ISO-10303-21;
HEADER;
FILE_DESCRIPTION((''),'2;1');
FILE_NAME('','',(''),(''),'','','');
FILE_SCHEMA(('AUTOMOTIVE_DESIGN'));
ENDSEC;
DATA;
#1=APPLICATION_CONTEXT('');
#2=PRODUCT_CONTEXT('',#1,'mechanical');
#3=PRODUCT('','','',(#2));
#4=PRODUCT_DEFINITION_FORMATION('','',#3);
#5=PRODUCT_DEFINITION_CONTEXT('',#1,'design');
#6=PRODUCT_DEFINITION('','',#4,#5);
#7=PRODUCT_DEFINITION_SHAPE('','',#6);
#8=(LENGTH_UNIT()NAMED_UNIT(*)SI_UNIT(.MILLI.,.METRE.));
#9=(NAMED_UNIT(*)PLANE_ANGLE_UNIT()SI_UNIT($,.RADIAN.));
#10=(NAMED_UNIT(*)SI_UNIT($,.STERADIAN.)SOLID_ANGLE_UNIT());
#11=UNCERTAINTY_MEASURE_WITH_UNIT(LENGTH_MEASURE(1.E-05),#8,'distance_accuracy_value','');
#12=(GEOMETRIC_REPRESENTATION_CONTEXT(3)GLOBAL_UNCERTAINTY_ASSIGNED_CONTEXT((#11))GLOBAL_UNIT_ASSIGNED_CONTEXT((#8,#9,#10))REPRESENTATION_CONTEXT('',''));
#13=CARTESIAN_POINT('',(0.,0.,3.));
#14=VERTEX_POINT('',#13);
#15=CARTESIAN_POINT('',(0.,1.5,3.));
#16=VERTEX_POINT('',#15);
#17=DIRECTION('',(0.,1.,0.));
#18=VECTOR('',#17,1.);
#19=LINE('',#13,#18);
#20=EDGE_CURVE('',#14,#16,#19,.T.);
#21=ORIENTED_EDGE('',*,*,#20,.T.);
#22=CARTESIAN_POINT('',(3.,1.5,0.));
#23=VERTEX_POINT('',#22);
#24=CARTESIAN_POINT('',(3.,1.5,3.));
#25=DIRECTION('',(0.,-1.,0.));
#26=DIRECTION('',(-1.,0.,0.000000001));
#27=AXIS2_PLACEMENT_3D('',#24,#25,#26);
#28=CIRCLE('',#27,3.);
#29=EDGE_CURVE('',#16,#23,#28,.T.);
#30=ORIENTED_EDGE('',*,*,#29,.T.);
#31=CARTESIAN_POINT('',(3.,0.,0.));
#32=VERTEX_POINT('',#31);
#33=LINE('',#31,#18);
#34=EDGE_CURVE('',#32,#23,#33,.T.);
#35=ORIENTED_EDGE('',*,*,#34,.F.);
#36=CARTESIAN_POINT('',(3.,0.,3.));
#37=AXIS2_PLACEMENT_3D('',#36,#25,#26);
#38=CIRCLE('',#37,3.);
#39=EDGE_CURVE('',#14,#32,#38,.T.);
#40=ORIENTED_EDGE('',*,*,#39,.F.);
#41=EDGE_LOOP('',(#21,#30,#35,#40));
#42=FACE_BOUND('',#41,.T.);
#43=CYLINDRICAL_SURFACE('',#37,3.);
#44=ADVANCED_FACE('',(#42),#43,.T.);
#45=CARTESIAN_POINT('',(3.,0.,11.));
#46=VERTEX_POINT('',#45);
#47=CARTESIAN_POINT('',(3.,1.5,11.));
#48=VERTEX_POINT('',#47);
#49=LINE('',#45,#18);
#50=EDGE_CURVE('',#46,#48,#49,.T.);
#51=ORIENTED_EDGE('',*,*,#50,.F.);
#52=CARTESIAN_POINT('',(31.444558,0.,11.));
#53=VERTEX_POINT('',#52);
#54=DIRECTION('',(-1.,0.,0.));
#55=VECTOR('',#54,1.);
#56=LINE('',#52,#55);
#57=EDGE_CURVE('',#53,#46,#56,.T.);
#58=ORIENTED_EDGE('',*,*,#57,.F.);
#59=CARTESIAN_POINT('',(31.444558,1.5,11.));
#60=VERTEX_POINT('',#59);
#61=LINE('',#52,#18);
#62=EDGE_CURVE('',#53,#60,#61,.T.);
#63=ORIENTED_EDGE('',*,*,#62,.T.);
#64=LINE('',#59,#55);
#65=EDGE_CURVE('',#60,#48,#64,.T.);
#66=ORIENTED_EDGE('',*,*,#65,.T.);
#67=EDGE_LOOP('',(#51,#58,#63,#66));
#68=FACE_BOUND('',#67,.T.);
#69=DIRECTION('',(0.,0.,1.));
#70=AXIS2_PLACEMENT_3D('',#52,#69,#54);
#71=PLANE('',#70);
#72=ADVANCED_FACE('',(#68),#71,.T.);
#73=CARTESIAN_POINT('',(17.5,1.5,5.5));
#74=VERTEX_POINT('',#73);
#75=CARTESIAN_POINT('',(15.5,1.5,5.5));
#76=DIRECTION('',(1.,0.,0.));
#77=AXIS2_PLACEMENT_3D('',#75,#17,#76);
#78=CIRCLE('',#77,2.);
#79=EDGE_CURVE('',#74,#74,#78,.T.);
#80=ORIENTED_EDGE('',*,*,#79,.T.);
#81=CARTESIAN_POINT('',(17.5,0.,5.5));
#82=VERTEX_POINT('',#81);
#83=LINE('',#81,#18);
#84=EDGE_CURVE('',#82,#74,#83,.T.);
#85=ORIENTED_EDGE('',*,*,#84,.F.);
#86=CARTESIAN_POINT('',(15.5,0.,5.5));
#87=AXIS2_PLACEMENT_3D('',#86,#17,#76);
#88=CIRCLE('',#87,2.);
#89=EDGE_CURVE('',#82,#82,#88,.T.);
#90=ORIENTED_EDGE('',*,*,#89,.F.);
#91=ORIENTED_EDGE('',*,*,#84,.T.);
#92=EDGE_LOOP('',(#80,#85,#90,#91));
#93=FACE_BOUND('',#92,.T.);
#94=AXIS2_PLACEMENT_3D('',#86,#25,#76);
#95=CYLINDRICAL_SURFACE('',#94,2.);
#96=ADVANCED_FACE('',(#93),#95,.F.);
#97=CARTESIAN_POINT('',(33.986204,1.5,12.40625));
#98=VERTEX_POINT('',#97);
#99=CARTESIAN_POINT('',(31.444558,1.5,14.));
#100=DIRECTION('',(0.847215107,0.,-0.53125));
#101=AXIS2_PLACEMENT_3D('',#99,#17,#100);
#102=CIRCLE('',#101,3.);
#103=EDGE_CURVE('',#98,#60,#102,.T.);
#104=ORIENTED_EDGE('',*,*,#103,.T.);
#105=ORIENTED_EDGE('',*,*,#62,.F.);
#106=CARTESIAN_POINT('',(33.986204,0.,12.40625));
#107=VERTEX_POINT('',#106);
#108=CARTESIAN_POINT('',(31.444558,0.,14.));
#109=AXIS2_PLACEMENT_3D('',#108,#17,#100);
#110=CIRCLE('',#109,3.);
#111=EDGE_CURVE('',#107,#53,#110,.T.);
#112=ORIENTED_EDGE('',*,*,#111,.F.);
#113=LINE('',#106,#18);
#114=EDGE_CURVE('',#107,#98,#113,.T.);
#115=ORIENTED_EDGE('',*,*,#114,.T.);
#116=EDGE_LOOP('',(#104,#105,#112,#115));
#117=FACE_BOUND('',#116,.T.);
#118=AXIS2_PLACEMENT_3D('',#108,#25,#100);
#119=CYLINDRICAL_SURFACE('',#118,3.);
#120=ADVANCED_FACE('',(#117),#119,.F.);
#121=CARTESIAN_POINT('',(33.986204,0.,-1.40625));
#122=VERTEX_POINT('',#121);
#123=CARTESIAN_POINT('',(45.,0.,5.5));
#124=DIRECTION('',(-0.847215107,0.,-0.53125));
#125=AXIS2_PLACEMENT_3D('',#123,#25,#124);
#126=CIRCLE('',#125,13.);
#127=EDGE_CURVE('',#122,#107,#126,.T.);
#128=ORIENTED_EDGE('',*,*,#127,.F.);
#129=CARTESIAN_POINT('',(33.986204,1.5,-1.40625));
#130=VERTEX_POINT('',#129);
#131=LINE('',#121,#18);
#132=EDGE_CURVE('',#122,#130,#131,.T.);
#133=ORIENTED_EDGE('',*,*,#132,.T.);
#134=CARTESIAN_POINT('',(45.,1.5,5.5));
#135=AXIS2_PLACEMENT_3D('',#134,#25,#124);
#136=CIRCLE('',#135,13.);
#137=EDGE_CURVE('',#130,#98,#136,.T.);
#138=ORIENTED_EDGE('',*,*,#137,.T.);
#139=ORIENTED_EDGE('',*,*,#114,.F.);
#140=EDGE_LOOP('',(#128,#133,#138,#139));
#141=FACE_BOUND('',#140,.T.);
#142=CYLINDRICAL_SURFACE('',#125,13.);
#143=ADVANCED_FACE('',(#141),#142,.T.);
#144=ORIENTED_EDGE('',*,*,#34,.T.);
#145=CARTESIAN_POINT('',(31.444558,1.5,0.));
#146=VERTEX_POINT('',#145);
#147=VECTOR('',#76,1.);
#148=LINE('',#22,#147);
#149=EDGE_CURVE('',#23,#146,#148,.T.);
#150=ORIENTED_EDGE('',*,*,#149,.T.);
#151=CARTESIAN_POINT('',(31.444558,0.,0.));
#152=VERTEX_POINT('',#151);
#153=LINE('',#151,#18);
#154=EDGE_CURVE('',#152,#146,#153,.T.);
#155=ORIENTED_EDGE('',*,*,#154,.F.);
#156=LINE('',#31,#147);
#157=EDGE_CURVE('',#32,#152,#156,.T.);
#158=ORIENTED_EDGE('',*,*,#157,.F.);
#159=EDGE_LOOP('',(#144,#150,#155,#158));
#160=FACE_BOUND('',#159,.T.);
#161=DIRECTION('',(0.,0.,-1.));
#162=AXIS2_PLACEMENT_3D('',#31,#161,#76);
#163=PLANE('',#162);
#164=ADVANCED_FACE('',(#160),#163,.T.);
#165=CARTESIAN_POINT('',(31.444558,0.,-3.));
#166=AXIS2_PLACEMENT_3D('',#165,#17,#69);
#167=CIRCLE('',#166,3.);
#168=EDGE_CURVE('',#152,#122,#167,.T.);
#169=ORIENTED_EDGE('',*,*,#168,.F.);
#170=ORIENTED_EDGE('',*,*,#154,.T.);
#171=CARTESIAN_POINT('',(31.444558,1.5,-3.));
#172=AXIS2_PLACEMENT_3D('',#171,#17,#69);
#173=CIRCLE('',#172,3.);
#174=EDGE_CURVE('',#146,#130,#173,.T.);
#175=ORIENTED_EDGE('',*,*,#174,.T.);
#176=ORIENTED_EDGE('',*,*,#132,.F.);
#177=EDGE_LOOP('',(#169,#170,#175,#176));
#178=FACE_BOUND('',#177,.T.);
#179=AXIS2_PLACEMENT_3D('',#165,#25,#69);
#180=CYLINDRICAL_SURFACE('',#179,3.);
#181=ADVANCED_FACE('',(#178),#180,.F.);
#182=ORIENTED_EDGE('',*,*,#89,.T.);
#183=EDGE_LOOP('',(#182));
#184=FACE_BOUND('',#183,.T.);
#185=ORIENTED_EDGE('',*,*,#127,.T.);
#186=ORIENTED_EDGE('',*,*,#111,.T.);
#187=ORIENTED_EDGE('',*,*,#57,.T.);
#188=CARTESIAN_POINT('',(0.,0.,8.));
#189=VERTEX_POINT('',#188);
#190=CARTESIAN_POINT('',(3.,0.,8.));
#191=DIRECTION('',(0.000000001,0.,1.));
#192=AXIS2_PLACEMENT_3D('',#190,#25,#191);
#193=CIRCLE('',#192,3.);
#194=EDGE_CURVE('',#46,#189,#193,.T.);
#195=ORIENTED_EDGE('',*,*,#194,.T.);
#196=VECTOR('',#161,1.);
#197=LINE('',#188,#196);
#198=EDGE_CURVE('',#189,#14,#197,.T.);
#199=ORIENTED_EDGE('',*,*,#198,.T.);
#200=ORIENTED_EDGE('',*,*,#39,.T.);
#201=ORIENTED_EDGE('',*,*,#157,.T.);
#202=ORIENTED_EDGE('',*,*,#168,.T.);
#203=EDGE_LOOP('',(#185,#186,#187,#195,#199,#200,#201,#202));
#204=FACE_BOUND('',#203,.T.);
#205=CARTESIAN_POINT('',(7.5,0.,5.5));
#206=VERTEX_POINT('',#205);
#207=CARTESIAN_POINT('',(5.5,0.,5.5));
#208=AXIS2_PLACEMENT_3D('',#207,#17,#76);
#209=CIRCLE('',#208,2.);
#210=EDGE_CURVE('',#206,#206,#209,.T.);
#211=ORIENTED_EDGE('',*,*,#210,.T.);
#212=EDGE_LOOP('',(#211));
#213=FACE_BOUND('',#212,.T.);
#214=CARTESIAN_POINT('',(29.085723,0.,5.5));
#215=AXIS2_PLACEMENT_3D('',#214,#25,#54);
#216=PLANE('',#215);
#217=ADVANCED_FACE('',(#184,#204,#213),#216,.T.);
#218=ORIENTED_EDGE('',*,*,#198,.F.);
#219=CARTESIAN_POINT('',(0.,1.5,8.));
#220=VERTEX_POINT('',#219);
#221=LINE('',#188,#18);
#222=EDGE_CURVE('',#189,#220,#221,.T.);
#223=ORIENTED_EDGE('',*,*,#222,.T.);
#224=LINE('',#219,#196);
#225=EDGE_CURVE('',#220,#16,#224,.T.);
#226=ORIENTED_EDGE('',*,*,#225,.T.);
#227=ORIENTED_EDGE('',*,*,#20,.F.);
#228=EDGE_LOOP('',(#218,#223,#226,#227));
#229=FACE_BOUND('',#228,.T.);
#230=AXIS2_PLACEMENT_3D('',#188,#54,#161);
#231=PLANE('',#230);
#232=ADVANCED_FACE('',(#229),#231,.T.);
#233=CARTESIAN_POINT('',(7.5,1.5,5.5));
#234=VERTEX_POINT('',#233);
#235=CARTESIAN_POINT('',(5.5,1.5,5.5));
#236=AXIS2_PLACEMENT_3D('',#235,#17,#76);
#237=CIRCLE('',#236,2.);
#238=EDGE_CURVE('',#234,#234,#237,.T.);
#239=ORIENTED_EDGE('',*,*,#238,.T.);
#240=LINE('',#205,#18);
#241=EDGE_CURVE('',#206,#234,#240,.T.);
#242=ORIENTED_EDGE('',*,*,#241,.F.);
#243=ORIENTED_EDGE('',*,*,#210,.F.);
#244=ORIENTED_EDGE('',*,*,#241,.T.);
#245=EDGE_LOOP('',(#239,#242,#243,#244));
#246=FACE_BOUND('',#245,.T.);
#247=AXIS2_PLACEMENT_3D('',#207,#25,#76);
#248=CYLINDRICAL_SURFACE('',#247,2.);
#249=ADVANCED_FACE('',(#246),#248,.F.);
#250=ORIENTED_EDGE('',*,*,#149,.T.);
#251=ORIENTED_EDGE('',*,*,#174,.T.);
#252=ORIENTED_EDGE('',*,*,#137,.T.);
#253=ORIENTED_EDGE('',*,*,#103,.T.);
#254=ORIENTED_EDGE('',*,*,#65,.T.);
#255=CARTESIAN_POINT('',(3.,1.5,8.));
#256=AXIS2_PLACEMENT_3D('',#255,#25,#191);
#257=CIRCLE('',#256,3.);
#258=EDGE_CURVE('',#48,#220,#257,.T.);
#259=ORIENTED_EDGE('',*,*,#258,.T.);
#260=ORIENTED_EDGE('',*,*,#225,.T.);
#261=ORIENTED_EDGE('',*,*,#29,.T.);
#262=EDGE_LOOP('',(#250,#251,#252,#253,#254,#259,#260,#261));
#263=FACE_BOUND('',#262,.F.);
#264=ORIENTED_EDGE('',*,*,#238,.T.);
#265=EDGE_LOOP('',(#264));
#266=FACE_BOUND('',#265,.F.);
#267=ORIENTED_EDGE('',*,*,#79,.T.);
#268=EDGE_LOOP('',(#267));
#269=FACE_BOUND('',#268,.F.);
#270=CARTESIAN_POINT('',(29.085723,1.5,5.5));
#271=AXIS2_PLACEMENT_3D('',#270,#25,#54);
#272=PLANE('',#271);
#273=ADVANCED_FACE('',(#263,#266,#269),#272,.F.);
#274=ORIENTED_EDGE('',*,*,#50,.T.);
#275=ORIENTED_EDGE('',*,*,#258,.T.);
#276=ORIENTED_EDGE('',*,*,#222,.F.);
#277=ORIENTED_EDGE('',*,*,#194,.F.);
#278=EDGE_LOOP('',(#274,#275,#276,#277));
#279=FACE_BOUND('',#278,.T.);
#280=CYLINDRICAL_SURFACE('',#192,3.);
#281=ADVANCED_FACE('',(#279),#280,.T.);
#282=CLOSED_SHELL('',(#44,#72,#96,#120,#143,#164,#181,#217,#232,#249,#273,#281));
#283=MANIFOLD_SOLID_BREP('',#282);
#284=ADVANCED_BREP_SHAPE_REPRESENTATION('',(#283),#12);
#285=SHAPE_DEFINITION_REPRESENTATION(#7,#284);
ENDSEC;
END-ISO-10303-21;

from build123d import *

# Parameters (mm, degrees)
SKETCH_1_R      = 2
EXTRUDE_1_DEPTH = 1.5


with BuildPart() as part:
    # Эскиз1 → Бобышка-Вытянуть1 (new body)
    with BuildSketch(Plane(origin=(0, 0, 0), x_dir=(1, 0, 0), z_dir=(0, 1, 0))):
        with BuildLine():
            Line((3, 0), (31.444558288, 0))
            ThreePointArc((31.444558288, 0), (32.896927043, 0.375), (33.986203609, 1.40625))
            ThreePointArc((33.986203609, 1.40625), (58, -5.5), (33.986203609, -12.40625))
            ThreePointArc((33.986203609, -12.40625), (32.896927043, -11.375), (31.444558288, -11))
            Line((31.444558288, -11), (3, -11))
            ThreePointArc((3, -11), (0.878679656, -10.121320344), (0, -8))
            Line((0, -8), (0, -3))
            ThreePointArc((0, -3), (0.878679656, -0.878679656), (3, 0))
        make_face()
        with Locations((5.5, -5.5)):
            Circle(SKETCH_1_R, mode=Mode.SUBTRACT)
        with Locations((15.5, -5.5)):
            Circle(SKETCH_1_R, mode=Mode.SUBTRACT)
    extrude(amount=EXTRUDE_1_DEPTH)


solid = part.part
